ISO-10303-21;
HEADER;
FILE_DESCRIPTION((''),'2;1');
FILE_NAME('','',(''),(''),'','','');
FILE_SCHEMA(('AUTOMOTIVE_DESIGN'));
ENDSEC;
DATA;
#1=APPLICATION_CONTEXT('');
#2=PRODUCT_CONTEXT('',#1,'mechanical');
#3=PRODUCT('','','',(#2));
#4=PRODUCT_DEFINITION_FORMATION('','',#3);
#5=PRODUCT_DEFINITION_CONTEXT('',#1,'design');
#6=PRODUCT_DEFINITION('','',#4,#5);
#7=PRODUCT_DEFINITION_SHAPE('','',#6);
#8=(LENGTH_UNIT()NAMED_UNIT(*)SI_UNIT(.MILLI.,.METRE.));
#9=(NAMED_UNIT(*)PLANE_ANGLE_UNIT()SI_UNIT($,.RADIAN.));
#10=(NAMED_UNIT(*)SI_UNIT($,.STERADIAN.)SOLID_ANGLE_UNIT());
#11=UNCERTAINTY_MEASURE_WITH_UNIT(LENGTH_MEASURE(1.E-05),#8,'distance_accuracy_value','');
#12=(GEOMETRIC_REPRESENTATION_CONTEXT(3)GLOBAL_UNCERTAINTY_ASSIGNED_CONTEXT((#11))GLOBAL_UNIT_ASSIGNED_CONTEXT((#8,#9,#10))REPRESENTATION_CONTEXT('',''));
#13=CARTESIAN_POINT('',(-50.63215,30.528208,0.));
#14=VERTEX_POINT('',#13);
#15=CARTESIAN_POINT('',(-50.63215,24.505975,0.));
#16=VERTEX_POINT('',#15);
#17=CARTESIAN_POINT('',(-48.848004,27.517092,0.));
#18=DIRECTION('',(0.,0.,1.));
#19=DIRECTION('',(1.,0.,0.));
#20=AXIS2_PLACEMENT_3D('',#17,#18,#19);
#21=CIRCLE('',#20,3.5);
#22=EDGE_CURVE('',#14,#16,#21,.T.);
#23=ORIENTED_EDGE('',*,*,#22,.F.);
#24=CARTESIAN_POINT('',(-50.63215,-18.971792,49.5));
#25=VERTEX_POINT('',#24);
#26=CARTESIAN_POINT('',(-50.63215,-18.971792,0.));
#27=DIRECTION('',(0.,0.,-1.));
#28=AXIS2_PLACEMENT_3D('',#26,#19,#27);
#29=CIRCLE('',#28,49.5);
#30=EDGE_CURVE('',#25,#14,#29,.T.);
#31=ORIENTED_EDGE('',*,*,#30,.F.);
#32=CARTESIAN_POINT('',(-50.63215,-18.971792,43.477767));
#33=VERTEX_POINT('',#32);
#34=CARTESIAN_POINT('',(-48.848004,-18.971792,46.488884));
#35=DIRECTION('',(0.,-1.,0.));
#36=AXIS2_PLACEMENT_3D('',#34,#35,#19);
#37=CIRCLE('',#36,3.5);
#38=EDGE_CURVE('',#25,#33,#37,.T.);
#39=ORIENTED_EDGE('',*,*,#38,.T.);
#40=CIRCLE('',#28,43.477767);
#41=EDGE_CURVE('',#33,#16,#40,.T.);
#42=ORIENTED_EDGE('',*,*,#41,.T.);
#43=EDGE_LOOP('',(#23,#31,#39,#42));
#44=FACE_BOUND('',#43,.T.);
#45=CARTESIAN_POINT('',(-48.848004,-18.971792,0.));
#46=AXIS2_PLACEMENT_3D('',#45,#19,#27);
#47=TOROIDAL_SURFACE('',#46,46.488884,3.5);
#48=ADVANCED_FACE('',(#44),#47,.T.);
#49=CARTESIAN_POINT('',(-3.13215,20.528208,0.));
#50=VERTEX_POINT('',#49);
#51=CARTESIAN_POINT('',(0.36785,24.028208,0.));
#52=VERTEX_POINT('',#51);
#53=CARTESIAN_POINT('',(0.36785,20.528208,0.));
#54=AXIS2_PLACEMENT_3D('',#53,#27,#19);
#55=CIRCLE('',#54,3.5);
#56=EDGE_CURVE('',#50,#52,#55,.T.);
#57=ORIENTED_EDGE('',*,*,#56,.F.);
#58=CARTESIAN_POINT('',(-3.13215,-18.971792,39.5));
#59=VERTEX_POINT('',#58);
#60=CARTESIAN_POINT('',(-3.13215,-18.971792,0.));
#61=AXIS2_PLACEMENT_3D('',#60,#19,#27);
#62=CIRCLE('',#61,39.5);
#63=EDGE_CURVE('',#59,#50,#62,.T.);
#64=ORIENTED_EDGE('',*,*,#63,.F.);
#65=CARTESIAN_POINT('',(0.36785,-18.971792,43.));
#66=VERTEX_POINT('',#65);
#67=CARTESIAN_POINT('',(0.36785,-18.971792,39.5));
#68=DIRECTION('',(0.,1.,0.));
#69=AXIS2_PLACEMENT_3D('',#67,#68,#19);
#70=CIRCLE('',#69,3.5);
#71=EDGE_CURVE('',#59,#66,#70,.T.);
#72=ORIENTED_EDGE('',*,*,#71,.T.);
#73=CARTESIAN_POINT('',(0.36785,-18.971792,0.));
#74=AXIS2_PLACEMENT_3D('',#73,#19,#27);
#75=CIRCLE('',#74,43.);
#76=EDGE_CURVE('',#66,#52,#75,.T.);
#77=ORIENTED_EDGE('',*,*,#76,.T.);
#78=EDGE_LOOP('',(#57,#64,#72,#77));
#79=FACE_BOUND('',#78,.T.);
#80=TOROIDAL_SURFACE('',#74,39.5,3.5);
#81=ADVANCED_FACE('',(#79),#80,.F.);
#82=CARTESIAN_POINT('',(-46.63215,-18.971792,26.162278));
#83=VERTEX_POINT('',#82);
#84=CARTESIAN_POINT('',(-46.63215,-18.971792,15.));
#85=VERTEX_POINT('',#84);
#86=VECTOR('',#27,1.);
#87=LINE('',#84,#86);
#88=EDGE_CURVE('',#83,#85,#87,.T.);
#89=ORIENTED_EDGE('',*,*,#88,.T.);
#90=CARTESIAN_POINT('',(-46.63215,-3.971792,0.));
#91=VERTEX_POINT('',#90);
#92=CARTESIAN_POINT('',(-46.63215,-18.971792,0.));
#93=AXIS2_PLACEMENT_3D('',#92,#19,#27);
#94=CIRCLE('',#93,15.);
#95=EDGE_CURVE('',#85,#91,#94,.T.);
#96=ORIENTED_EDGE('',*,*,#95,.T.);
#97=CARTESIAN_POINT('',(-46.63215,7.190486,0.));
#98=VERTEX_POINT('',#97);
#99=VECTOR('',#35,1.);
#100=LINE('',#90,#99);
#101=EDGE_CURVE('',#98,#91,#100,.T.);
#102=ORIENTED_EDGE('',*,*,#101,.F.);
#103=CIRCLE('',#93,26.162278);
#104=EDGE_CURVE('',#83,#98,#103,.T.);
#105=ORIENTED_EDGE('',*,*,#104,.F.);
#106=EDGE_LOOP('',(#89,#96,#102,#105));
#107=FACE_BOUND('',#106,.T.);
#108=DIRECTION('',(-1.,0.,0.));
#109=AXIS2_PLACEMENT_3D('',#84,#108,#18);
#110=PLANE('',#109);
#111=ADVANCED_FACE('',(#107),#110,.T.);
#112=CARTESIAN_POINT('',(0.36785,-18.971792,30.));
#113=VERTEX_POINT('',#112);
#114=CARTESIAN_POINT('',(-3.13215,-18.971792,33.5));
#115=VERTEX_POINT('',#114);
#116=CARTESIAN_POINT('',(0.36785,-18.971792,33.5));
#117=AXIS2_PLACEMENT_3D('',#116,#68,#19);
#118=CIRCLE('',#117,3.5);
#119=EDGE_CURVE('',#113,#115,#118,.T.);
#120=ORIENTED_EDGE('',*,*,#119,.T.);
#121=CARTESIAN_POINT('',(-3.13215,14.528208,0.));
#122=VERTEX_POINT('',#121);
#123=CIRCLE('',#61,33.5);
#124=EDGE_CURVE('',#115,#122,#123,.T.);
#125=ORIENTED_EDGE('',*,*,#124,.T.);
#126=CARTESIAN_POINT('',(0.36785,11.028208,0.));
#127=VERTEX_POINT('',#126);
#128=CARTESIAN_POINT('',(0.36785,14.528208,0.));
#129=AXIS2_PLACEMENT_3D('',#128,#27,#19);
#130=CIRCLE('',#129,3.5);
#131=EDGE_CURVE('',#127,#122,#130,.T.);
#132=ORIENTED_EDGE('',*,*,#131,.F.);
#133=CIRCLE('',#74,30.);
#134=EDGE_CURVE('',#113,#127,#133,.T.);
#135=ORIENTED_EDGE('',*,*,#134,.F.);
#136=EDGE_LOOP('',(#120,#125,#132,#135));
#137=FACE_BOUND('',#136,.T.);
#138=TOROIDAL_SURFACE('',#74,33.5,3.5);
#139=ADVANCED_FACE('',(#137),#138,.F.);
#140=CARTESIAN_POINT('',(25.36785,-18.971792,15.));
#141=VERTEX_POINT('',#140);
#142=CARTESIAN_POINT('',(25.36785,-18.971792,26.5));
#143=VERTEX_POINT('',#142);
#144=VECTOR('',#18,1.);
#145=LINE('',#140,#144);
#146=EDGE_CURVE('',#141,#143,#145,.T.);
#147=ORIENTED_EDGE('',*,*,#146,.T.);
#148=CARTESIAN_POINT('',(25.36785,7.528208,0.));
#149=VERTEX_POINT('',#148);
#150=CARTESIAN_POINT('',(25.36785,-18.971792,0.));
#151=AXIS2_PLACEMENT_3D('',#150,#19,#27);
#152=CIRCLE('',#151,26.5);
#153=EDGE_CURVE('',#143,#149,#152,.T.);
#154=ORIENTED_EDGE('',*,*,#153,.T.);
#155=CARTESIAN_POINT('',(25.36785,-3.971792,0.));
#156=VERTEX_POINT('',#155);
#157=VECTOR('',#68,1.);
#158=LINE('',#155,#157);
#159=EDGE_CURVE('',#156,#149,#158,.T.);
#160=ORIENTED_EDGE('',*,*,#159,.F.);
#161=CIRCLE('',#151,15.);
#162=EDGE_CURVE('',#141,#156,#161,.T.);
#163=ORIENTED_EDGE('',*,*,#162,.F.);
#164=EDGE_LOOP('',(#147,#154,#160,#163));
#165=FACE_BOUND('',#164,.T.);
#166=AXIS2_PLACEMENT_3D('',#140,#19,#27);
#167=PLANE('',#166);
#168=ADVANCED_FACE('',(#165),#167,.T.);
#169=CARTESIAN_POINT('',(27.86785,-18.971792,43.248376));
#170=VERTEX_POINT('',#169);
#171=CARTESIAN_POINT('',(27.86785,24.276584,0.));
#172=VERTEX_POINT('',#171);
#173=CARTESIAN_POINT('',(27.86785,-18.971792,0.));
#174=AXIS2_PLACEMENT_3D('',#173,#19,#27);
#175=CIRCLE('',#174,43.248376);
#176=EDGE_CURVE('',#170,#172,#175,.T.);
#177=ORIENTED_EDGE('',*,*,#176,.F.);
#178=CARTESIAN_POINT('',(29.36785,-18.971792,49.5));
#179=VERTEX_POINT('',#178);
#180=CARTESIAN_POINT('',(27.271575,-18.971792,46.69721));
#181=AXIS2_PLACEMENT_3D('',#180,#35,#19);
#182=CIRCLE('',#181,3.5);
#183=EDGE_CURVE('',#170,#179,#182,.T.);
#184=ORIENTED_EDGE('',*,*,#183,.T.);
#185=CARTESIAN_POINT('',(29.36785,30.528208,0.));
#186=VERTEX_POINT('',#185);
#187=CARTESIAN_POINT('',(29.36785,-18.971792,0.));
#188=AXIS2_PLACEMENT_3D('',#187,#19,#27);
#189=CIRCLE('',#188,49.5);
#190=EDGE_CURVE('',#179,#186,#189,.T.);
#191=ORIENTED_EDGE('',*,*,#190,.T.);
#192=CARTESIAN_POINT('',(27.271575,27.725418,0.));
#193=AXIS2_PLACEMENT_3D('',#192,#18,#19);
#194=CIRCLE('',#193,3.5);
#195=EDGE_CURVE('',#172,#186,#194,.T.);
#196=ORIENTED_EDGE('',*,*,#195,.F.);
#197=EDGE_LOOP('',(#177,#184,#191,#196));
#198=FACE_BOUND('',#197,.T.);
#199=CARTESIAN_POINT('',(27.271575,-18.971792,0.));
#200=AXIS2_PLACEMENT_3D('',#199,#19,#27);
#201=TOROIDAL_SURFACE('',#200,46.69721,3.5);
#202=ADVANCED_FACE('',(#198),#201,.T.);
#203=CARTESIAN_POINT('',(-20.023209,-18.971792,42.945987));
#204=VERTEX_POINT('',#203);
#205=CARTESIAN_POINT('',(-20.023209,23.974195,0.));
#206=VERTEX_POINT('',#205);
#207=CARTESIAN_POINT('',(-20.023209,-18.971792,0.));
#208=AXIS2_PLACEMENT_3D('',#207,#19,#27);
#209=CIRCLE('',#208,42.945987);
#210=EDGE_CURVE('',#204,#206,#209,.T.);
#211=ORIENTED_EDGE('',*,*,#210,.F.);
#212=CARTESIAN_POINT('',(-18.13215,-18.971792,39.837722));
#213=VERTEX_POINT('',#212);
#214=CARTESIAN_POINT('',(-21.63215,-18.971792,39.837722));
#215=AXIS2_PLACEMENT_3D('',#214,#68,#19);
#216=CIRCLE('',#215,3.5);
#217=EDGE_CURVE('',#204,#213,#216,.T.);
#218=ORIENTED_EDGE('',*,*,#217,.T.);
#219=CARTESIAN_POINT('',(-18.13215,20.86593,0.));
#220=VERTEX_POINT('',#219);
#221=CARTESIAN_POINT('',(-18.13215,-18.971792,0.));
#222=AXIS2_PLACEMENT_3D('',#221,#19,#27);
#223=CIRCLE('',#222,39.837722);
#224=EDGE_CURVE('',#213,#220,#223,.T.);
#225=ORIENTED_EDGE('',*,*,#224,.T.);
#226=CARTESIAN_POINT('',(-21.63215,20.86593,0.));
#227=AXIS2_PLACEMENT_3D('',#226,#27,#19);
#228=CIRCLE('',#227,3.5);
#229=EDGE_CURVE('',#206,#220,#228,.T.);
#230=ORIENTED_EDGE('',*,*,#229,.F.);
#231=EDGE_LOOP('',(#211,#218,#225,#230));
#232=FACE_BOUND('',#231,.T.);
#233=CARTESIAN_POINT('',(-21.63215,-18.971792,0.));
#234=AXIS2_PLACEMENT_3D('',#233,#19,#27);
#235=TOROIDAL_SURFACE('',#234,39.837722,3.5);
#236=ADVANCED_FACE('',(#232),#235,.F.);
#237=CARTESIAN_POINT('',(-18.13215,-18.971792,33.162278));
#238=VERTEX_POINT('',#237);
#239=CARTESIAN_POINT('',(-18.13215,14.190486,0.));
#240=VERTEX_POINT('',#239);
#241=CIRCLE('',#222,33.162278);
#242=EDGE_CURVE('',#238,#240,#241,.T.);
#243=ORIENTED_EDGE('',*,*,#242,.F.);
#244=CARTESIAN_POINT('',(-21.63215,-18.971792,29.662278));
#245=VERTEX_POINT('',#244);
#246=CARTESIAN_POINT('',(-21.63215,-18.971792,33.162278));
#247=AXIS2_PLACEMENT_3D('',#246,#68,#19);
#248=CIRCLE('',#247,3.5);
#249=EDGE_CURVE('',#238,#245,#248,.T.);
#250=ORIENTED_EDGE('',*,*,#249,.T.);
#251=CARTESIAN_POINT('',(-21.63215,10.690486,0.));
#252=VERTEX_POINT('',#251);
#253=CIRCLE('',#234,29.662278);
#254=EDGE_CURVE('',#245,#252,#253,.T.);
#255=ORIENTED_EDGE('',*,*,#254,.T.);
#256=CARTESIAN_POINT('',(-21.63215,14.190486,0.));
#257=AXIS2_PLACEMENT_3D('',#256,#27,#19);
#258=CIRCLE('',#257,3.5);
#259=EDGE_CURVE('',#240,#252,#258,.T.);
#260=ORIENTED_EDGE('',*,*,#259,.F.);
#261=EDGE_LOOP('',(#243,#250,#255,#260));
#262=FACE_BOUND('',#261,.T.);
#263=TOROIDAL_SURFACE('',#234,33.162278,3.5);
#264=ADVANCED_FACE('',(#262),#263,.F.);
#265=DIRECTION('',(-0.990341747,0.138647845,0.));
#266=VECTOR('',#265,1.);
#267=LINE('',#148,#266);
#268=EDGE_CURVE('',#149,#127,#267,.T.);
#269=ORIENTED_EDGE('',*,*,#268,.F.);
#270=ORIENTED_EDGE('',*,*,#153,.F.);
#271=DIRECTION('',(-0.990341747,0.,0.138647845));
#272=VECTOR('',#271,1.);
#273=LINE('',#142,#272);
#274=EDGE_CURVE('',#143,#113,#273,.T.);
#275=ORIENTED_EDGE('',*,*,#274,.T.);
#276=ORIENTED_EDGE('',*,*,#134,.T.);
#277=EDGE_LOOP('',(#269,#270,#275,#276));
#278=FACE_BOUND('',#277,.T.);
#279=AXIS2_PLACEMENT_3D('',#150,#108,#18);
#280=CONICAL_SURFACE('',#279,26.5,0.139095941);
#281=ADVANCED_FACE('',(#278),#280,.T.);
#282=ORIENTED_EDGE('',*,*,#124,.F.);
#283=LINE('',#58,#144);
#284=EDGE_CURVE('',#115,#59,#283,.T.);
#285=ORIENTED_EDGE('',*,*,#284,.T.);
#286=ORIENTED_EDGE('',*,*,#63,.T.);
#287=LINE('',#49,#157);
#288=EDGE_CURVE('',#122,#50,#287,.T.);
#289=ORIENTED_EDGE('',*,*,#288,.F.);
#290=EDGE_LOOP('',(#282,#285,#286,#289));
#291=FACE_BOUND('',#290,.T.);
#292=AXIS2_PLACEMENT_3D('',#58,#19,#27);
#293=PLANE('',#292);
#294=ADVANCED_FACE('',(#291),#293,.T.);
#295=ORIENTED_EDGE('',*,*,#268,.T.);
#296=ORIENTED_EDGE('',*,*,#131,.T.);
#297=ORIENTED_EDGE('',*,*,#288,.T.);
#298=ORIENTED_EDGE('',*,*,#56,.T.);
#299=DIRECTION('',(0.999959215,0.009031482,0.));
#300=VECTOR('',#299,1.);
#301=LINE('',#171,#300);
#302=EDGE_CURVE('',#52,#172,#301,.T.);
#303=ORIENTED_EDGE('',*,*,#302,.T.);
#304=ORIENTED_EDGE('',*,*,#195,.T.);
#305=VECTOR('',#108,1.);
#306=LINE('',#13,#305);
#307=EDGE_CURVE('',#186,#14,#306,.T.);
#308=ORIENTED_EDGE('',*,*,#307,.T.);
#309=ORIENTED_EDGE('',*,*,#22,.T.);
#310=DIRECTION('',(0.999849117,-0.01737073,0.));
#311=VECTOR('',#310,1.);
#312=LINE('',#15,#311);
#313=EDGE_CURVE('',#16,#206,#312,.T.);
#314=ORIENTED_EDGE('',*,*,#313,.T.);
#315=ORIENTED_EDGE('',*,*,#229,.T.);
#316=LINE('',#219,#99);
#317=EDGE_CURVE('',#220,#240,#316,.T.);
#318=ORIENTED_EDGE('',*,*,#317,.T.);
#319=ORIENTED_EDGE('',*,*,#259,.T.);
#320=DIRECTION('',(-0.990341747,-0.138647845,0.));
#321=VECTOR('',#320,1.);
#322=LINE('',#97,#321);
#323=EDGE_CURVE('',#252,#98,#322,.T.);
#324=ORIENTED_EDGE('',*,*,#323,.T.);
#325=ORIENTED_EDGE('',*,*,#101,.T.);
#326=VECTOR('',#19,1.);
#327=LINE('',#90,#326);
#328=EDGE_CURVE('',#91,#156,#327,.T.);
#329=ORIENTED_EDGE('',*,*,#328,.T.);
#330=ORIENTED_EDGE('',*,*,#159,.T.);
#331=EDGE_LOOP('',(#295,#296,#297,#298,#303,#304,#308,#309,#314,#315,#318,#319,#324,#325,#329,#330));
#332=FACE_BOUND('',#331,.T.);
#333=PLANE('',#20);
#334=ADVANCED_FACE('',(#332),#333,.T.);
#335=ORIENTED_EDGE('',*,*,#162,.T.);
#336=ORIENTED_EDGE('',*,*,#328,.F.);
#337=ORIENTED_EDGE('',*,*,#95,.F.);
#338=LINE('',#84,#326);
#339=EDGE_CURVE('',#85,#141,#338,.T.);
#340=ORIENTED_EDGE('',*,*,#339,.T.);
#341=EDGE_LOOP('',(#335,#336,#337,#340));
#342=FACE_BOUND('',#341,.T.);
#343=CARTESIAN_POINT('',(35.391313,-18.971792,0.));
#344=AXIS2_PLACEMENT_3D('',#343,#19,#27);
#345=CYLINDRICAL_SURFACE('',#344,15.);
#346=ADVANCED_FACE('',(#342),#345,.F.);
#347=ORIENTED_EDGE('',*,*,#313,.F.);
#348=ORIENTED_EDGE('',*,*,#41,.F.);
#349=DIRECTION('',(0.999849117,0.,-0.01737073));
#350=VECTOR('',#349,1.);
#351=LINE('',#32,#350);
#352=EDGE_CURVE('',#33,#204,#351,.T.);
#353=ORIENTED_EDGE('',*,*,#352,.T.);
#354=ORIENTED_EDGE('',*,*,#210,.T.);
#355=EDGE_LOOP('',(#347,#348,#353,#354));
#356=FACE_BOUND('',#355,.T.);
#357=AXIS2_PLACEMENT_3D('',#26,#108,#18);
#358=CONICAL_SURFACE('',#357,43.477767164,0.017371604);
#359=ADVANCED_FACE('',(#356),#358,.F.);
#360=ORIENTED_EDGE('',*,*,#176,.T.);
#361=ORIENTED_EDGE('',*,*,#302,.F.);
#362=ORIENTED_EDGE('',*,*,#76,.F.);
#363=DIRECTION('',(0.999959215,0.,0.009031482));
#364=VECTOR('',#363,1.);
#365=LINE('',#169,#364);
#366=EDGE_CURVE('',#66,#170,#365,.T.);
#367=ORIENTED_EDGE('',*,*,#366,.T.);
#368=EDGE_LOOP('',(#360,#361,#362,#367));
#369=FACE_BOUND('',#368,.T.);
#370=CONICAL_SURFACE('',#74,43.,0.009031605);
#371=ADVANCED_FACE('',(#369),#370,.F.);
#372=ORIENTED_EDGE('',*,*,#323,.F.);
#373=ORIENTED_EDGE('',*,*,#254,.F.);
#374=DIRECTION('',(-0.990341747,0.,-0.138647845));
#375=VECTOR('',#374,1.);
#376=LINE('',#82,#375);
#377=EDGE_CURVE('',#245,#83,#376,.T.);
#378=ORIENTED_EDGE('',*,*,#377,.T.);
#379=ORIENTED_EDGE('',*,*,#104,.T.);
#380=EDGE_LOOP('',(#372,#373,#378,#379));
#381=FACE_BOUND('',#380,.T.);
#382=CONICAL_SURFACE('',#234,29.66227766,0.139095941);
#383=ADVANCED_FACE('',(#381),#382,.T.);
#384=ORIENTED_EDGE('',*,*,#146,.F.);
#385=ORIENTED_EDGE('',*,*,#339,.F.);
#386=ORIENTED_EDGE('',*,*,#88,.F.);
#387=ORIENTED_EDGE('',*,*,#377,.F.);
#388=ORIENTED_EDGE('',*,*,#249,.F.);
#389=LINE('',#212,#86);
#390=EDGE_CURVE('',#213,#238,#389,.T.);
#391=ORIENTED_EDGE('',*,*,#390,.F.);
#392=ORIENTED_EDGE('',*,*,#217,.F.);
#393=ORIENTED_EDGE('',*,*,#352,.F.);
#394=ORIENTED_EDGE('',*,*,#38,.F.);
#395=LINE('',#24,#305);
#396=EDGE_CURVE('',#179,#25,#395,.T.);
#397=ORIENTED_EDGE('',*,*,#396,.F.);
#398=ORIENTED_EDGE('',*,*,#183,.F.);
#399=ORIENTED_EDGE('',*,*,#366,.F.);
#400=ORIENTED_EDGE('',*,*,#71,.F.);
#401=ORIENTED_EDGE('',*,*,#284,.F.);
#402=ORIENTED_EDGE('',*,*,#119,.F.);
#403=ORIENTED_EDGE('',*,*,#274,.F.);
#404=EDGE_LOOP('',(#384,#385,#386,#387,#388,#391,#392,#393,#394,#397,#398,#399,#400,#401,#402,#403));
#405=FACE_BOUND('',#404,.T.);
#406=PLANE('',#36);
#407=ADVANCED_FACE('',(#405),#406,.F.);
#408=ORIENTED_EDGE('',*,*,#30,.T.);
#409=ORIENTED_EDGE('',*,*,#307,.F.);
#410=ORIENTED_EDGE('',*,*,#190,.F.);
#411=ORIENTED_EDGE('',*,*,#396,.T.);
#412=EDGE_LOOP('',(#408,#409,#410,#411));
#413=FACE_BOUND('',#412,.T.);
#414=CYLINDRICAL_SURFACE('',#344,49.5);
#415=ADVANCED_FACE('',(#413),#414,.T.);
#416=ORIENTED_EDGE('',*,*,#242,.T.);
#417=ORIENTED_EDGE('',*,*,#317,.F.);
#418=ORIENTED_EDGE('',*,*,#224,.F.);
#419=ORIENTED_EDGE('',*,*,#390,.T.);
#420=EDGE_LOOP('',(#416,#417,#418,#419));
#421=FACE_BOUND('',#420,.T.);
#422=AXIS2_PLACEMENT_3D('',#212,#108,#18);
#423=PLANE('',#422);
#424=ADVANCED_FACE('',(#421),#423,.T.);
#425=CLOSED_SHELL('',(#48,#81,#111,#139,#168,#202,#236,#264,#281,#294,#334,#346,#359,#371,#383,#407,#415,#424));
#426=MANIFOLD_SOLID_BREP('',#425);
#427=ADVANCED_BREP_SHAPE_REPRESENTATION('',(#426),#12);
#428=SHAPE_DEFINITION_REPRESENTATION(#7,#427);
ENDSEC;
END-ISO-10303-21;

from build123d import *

# Parameters (mm, degrees)
REVOLVE2_ANGLE = 270


with BuildPart() as part:
    # Sketch1 → Revolve2 (revolve)
    with BuildSketch(Plane.XY):
        with BuildLine():
            Line((-50.632149816, 30.528207977), (29.367850184, 30.528207977))
            ThreePointArc((29.367850184, 30.528207977), (30.674979125, 26.908813233), (27.867850184, 24.276583855))
            Line((27.867850184, 24.276583855), (0.367850184, 24.028207977))
            ThreePointArc((0.367850184, 24.028207977), (-2.10702355, 23.003081711), (-3.132149816, 20.528207977))
            Line((-3.132149816, 20.528207977), (-3.132149816, 14.528207977))
            ThreePointArc((-3.132149816, 14.528207977), (-2.10702355, 12.053334243), (0.367850184, 11.028207977))
            Line((0.367850184, 11.028207977), (25.367850184, 7.528207977))
            Line((25.367850184, 7.528207977), (25.367850184, -3.971792023))
            Line((25.367850184, -3.971792023), (-46.632149816, -3.971792023))
            Line((-46.632149816, -3.971792023), (-46.632149816, 7.190485637))
            Line((-46.632149816, 7.190485637), (-21.632149816, 10.690485637))
            ThreePointArc((-21.632149816, 10.690485637), (-19.157276082, 11.715611903), (-18.132149816, 14.190485637))
            Line((-18.132149816, 14.190485637), (-18.132149816, 20.865930317))
            ThreePointArc((-18.132149816, 20.865930317), (-18.642058581, 22.685093423), (-20.023209476, 23.974195264))
            Line((-20.023209476, 23.974195264), (-50.632149816, 24.505975141))
            ThreePointArc((-50.632149816, 24.505975141), (-52.348003545, 27.517091559), (-50.632149816, 30.528207977))
        make_face()
    revolve(axis=Axis((35.391313148, -18.971792023, 0), (-1, 0, 0)), revolution_arc=REVOLVE2_ANGLE)


solid = part.part
